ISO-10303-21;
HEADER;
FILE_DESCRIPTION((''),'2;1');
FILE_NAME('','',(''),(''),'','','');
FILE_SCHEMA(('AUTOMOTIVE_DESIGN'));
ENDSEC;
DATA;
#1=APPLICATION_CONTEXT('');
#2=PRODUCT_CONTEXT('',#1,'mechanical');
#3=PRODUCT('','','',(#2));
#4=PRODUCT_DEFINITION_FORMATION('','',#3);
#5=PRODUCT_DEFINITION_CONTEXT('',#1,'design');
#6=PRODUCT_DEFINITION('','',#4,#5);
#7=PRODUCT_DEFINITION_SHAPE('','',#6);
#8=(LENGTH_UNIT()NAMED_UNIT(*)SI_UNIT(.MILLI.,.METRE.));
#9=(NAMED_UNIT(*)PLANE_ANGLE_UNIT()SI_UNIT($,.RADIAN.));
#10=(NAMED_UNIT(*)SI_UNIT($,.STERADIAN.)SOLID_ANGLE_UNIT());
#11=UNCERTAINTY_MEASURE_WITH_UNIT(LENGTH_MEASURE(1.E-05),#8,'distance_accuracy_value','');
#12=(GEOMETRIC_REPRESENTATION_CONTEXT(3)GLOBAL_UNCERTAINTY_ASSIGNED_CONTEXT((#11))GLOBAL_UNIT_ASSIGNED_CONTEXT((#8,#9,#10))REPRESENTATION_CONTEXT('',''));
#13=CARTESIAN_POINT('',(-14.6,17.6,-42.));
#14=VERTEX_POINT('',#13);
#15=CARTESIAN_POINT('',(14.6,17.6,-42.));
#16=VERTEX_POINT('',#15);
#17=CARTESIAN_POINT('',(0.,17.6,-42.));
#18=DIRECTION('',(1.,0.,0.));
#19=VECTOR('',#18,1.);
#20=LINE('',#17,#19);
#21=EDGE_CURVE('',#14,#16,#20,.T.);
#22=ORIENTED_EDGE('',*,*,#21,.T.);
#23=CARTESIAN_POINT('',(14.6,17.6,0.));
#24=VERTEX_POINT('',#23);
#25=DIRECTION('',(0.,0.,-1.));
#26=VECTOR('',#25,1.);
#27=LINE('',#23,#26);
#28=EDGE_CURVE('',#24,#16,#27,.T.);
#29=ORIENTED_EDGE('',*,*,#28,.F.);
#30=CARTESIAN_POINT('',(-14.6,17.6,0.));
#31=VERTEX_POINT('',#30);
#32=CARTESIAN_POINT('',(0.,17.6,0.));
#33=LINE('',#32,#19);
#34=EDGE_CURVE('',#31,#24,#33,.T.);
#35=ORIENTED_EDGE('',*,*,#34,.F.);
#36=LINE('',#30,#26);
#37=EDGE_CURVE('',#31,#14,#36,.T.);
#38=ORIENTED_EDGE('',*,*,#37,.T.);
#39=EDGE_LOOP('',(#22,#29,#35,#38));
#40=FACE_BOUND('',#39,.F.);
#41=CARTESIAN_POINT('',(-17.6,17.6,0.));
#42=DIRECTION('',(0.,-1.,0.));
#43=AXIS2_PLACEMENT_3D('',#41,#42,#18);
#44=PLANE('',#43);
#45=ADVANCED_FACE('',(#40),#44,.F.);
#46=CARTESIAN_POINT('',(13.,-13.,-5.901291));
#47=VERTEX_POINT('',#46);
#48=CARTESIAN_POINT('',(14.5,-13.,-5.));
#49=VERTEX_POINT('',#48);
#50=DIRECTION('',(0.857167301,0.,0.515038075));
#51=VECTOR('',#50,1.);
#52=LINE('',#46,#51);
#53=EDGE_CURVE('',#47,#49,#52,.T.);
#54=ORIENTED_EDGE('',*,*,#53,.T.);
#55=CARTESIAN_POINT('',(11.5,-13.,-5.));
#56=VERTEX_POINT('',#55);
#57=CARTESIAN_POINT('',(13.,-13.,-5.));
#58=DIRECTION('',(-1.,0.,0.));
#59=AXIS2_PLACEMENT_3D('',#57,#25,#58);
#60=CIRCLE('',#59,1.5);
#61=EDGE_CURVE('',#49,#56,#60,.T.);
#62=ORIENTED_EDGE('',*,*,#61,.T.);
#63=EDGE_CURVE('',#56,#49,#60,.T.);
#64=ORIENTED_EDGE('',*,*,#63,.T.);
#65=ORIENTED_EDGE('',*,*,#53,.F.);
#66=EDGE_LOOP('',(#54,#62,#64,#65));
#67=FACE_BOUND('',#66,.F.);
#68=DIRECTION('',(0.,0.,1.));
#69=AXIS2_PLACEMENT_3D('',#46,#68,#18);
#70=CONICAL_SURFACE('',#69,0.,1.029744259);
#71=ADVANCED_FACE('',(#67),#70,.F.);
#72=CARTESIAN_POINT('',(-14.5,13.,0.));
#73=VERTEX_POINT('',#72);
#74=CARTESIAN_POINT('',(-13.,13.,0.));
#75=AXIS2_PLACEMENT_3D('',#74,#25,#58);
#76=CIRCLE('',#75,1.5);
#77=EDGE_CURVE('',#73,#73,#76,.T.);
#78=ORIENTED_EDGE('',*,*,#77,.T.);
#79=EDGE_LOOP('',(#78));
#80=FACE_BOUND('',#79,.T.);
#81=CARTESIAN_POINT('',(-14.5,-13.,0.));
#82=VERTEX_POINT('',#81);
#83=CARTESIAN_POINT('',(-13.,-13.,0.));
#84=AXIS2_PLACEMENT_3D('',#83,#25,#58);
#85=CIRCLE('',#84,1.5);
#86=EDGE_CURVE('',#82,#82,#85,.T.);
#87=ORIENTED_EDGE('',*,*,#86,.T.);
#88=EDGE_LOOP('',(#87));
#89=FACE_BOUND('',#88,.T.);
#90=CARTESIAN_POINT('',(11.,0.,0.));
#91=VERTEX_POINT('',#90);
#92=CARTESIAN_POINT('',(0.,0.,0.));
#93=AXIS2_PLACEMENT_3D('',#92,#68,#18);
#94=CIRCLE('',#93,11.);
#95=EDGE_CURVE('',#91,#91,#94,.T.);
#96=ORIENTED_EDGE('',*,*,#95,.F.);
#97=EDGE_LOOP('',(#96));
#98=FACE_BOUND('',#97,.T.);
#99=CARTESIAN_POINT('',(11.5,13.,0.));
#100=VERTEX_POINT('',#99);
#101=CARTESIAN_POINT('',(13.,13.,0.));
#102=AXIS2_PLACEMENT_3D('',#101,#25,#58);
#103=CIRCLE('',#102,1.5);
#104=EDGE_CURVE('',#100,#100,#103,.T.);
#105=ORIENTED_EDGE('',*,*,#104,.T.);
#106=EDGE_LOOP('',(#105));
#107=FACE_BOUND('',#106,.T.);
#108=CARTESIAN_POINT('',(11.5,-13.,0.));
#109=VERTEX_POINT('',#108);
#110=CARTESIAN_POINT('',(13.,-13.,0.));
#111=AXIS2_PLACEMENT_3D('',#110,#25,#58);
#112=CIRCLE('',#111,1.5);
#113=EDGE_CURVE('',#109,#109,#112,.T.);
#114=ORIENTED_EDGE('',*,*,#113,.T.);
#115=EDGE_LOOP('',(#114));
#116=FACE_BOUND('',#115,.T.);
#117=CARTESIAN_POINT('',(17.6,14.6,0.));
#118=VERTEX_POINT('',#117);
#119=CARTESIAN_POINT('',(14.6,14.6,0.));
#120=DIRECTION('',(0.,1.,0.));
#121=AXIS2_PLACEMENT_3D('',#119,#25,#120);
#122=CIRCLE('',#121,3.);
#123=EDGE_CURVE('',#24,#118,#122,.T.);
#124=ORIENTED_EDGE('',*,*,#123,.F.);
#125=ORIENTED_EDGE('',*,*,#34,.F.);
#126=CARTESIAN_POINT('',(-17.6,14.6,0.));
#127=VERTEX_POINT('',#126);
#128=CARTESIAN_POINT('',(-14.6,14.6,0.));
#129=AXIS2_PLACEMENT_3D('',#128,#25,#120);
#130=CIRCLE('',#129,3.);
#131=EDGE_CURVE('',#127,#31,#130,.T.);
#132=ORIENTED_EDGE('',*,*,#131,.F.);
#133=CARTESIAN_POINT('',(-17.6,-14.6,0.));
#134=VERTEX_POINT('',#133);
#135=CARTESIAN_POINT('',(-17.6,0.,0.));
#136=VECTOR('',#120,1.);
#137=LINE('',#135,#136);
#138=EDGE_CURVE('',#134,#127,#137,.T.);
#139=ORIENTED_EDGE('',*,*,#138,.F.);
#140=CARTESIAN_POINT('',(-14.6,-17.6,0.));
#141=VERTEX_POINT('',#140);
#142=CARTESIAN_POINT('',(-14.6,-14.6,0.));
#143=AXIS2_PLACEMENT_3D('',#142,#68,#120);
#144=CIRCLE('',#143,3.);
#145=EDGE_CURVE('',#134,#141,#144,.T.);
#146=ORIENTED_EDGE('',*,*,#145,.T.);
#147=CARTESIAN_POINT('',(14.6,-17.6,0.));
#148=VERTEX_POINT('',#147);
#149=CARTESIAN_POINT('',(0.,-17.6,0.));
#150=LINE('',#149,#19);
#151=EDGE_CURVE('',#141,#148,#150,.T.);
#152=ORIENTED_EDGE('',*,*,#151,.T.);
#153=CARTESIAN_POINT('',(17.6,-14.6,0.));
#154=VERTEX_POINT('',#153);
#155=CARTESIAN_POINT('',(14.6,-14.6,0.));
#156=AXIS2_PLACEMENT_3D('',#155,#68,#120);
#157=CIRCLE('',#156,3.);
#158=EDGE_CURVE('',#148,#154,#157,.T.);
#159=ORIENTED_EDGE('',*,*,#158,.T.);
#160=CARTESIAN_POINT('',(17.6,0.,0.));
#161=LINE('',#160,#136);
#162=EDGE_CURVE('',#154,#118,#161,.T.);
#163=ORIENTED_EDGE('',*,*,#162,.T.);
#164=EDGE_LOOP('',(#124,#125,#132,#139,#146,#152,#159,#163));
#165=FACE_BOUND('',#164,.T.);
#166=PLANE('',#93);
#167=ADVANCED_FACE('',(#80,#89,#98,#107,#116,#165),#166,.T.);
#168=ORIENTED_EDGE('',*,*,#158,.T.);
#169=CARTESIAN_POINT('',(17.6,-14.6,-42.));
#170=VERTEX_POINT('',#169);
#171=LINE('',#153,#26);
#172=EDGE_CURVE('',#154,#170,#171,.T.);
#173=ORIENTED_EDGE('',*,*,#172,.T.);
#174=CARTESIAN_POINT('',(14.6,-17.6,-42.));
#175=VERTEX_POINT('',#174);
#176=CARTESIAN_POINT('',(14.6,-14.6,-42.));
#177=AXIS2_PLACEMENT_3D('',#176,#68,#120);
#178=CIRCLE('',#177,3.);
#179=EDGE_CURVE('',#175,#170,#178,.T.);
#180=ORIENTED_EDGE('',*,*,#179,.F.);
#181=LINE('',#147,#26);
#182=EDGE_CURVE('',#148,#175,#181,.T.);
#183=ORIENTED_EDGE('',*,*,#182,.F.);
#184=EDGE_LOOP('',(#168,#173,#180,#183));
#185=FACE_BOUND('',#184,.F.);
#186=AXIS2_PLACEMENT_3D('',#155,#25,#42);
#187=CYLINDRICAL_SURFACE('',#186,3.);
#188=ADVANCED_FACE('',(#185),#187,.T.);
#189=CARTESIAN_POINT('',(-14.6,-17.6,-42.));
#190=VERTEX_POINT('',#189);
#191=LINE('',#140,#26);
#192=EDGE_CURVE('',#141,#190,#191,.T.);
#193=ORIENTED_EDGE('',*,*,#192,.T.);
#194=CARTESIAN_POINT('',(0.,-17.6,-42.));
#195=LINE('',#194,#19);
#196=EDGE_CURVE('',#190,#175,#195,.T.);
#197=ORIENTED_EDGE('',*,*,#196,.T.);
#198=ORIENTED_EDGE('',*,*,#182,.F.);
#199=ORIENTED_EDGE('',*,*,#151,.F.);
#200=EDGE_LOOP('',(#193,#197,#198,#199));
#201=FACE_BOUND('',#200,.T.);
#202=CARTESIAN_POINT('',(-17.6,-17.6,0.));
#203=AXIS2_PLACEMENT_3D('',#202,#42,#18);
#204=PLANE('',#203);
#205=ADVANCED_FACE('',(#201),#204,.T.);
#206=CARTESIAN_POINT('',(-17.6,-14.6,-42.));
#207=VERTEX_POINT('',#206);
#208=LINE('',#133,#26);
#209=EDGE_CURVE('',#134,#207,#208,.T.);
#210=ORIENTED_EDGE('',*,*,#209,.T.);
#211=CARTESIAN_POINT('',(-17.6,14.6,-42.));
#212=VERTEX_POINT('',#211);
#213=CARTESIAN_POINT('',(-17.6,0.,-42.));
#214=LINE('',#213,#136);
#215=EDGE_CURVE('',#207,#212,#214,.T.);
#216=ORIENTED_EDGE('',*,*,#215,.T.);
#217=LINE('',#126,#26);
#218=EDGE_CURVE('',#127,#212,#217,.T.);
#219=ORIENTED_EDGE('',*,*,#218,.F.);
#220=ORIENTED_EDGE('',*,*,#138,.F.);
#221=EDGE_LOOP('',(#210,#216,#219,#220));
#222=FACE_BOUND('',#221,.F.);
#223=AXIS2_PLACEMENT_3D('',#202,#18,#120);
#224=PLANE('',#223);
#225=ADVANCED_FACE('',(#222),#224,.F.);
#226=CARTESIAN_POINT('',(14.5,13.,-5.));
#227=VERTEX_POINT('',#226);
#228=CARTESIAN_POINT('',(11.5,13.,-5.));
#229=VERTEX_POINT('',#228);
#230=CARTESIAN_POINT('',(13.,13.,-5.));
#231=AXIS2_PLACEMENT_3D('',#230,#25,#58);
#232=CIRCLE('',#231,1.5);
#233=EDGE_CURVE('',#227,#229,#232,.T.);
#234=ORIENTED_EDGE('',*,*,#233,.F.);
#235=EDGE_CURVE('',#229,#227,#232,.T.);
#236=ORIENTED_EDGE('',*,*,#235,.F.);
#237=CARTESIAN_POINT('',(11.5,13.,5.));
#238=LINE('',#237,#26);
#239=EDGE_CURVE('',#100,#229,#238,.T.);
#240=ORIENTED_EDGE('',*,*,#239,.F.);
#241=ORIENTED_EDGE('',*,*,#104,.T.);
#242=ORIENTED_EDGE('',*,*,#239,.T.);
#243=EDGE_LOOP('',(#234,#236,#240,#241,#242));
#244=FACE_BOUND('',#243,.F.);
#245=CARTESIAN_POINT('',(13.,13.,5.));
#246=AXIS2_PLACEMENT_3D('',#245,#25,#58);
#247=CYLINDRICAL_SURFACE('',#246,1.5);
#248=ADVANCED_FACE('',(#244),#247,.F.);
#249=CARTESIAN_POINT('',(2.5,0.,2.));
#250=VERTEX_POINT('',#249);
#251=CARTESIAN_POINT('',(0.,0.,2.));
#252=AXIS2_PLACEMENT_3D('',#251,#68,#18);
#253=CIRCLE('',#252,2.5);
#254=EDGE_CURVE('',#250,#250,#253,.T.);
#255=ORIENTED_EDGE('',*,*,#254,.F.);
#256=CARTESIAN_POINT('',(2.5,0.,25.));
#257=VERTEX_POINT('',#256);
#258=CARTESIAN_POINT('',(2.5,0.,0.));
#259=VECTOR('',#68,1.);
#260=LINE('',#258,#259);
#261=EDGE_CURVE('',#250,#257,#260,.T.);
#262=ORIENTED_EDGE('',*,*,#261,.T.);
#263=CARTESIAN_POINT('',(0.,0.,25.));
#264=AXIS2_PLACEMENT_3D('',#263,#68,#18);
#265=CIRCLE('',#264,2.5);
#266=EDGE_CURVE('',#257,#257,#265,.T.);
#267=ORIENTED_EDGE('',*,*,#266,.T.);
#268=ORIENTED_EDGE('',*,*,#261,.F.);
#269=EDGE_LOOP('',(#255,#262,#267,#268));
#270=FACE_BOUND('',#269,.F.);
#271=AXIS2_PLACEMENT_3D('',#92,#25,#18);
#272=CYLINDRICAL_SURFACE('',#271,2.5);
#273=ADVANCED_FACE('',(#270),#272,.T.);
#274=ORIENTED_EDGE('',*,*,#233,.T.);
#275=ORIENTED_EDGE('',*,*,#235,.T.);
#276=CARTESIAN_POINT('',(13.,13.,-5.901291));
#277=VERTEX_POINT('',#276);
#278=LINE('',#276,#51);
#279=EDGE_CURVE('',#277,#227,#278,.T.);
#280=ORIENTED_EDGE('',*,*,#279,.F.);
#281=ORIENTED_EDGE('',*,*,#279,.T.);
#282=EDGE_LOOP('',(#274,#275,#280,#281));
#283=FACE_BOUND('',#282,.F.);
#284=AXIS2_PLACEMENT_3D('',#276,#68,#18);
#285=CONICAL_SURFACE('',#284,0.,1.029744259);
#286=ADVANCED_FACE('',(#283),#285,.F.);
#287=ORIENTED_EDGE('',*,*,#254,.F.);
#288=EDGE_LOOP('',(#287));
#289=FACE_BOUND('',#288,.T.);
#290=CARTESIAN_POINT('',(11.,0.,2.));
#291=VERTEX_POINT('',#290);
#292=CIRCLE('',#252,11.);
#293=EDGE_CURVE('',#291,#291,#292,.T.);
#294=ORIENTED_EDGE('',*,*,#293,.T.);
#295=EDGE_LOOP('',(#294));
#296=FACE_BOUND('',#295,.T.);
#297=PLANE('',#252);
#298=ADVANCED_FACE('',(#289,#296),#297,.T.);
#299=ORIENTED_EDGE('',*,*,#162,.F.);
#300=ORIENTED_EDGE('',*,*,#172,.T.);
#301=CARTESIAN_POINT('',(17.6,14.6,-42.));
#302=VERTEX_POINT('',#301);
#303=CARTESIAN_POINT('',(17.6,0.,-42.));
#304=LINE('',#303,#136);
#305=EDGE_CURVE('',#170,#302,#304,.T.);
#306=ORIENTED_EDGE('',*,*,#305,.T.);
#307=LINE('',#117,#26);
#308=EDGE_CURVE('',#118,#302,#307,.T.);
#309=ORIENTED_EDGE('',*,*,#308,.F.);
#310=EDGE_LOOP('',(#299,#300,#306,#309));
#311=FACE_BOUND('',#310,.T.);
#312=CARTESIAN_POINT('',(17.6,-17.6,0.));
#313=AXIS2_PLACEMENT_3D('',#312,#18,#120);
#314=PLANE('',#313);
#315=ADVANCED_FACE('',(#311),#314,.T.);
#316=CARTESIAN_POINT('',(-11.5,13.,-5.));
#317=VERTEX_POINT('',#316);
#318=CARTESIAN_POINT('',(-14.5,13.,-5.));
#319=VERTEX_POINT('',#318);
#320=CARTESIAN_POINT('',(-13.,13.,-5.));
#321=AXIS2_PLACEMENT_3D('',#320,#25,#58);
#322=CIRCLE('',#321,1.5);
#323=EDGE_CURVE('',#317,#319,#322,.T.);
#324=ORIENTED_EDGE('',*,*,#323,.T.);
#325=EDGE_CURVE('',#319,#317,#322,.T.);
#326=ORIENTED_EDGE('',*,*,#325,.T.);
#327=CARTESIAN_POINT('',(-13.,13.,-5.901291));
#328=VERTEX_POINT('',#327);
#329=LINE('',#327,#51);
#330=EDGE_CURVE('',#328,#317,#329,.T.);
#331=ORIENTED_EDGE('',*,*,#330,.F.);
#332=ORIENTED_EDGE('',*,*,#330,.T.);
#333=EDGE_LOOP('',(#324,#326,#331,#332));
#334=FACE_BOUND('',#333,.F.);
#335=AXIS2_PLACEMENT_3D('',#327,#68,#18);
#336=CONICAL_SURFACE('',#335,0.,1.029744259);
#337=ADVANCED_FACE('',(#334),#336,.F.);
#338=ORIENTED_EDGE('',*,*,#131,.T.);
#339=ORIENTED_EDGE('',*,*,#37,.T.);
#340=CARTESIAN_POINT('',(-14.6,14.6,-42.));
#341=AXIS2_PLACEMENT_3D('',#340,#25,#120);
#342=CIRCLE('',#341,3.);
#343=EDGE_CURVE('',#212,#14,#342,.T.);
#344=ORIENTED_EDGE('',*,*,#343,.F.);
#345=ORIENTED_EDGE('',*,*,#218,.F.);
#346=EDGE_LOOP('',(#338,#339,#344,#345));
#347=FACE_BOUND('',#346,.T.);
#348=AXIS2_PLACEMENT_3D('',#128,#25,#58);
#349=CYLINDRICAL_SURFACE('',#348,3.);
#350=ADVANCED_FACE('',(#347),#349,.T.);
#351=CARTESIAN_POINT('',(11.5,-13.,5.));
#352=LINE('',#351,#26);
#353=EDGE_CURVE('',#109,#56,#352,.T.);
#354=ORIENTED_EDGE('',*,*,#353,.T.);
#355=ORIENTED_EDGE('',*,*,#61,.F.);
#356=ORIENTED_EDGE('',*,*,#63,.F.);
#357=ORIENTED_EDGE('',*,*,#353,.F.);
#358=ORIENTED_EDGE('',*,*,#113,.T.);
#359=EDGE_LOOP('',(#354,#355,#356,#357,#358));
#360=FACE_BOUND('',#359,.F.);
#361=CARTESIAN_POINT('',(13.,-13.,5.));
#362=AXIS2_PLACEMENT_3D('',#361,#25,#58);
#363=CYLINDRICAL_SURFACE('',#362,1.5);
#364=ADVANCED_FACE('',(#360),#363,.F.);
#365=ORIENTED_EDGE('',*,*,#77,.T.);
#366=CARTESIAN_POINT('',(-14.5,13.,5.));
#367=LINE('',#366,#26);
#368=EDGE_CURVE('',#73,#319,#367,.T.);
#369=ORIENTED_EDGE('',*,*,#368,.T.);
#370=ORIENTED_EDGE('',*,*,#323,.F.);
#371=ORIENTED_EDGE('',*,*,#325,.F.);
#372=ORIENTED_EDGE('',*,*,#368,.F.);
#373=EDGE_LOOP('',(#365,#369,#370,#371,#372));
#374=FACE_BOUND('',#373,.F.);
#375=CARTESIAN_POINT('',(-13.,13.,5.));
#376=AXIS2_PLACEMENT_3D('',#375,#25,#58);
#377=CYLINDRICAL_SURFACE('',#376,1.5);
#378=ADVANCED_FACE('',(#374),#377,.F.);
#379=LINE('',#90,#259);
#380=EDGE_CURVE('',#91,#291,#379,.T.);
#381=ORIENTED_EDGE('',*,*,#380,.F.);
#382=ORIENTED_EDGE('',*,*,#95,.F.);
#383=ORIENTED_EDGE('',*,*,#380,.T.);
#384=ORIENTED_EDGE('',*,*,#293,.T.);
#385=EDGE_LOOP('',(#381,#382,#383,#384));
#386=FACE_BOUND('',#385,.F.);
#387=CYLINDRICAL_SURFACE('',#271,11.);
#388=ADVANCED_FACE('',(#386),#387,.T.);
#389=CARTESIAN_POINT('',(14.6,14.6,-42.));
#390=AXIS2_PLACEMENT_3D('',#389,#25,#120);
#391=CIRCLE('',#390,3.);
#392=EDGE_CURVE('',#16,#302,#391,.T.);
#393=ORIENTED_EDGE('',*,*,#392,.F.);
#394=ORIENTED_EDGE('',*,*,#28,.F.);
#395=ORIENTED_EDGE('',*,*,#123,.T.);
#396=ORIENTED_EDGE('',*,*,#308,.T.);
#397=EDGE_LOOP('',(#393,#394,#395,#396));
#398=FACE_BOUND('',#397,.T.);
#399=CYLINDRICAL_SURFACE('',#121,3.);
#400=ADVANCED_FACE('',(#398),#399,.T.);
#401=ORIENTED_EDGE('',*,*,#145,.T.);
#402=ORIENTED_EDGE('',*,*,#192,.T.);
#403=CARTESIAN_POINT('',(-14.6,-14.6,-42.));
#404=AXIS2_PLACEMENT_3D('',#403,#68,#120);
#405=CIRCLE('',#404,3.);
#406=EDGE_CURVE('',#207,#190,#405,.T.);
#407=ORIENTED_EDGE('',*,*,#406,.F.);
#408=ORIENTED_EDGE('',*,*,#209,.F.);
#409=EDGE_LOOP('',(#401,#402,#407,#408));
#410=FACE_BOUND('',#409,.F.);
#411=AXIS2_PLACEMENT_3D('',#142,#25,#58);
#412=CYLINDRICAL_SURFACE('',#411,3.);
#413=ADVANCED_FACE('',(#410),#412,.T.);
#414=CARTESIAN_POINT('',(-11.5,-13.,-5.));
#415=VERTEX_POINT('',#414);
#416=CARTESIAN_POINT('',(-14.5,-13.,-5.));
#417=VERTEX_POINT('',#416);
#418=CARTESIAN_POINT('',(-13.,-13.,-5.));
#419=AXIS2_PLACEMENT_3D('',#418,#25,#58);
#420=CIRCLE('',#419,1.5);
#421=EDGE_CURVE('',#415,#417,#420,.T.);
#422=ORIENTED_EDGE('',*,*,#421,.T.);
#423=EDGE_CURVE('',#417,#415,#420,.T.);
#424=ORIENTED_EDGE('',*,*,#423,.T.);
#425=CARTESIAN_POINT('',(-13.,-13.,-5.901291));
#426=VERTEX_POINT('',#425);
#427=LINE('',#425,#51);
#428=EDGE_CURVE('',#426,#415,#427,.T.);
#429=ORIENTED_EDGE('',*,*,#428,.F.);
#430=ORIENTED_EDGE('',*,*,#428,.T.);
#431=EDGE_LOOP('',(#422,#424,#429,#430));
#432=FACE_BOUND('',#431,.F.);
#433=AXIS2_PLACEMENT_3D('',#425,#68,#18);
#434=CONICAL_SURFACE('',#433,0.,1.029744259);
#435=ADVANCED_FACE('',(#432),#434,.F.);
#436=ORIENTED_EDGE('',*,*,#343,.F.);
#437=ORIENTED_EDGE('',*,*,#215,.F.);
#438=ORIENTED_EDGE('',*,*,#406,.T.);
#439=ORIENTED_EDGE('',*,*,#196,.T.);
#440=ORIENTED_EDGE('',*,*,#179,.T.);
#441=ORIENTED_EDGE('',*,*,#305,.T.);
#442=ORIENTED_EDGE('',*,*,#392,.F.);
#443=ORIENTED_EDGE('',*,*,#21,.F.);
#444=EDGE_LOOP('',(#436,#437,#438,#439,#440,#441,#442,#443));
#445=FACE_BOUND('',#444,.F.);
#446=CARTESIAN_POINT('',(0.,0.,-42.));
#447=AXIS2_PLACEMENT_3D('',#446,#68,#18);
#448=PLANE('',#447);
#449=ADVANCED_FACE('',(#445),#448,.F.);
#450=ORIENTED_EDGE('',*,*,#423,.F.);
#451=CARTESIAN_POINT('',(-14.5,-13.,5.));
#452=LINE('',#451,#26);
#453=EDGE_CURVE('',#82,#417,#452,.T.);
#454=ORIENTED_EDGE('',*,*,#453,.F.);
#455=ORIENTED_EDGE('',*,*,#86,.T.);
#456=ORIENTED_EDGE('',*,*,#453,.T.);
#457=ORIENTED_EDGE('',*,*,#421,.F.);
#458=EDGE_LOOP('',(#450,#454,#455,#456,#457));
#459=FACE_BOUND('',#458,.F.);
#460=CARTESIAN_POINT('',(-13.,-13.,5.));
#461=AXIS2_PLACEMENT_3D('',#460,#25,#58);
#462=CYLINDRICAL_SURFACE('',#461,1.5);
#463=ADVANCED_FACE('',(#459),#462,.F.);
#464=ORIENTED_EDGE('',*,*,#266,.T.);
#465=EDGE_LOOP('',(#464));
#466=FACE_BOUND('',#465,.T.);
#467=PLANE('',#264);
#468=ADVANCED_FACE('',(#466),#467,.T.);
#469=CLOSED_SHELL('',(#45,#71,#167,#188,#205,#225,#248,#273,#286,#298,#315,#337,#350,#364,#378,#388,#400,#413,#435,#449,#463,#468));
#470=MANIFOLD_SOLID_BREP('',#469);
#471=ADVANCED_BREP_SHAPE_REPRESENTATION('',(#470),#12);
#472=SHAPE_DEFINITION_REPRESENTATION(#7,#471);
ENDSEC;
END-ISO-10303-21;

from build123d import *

# Parameters (mm, degrees)
F0_W     = 35.2
F0_H     = 35.2
F0_W_2   = 26
F0_H_2   = 26
F0_R     = 11
F0_R_2   = 2.5
F1_DEPTH = 42
F2_DEPTH = 2
F3_DEPTH = 25
F4_R     = 3
F5_D     = 3
F5_DEPTH = 5
F5_TIP   = 0.9012909285


with BuildPart() as f1:
    # F0 (on Top) → F1 (new body)
    with BuildSketch(Plane.XY):
        Rectangle(F0_W, F0_H)
        Rectangle(F0_W_2, F0_H_2, mode=Mode.SUBTRACT)
        Rectangle(F0_W_2, F0_H_2)
        Circle(F0_R, mode=Mode.SUBTRACT)
        Circle(F0_R)
        Circle(F0_R_2, mode=Mode.SUBTRACT)
        Circle(F0_R_2)
    extrude(amount=-F1_DEPTH)

    # F0 (on Top) → F2 (join)
    with BuildSketch(Plane.XY):
        Circle(F0_R)
        Circle(F0_R_2, mode=Mode.SUBTRACT)
    extrude(amount=F2_DEPTH)

    # F0 (on Top) → F3 (join)
    with BuildSketch(Plane.XY):
        Circle(F0_R_2)
    extrude(amount=F3_DEPTH)

    # F4
    f4_edges = [f1.edges().sort_by_distance(p)[0] for p in [
        (17.6, 17.6, -21),
        (17.6, -17.6, -21),
        (-17.6, -17.6, -21),
        (-17.6, 17.6, -21),
    ]]
    fillet(f4_edges, radius=F4_R)

    # F5
    with Locations(Plane.XY):
        with Locations((-13, 13), (13, 13), (13, -13), (-13, -13)):
            Hole(F5_D / 2, depth=F5_DEPTH)
            with Locations((0, 0, -(F5_DEPTH + F5_TIP / 2))):  # 118° drill point
                Cone(0, F5_D / 2, F5_TIP, mode=Mode.SUBTRACT)


solid = f1.part
